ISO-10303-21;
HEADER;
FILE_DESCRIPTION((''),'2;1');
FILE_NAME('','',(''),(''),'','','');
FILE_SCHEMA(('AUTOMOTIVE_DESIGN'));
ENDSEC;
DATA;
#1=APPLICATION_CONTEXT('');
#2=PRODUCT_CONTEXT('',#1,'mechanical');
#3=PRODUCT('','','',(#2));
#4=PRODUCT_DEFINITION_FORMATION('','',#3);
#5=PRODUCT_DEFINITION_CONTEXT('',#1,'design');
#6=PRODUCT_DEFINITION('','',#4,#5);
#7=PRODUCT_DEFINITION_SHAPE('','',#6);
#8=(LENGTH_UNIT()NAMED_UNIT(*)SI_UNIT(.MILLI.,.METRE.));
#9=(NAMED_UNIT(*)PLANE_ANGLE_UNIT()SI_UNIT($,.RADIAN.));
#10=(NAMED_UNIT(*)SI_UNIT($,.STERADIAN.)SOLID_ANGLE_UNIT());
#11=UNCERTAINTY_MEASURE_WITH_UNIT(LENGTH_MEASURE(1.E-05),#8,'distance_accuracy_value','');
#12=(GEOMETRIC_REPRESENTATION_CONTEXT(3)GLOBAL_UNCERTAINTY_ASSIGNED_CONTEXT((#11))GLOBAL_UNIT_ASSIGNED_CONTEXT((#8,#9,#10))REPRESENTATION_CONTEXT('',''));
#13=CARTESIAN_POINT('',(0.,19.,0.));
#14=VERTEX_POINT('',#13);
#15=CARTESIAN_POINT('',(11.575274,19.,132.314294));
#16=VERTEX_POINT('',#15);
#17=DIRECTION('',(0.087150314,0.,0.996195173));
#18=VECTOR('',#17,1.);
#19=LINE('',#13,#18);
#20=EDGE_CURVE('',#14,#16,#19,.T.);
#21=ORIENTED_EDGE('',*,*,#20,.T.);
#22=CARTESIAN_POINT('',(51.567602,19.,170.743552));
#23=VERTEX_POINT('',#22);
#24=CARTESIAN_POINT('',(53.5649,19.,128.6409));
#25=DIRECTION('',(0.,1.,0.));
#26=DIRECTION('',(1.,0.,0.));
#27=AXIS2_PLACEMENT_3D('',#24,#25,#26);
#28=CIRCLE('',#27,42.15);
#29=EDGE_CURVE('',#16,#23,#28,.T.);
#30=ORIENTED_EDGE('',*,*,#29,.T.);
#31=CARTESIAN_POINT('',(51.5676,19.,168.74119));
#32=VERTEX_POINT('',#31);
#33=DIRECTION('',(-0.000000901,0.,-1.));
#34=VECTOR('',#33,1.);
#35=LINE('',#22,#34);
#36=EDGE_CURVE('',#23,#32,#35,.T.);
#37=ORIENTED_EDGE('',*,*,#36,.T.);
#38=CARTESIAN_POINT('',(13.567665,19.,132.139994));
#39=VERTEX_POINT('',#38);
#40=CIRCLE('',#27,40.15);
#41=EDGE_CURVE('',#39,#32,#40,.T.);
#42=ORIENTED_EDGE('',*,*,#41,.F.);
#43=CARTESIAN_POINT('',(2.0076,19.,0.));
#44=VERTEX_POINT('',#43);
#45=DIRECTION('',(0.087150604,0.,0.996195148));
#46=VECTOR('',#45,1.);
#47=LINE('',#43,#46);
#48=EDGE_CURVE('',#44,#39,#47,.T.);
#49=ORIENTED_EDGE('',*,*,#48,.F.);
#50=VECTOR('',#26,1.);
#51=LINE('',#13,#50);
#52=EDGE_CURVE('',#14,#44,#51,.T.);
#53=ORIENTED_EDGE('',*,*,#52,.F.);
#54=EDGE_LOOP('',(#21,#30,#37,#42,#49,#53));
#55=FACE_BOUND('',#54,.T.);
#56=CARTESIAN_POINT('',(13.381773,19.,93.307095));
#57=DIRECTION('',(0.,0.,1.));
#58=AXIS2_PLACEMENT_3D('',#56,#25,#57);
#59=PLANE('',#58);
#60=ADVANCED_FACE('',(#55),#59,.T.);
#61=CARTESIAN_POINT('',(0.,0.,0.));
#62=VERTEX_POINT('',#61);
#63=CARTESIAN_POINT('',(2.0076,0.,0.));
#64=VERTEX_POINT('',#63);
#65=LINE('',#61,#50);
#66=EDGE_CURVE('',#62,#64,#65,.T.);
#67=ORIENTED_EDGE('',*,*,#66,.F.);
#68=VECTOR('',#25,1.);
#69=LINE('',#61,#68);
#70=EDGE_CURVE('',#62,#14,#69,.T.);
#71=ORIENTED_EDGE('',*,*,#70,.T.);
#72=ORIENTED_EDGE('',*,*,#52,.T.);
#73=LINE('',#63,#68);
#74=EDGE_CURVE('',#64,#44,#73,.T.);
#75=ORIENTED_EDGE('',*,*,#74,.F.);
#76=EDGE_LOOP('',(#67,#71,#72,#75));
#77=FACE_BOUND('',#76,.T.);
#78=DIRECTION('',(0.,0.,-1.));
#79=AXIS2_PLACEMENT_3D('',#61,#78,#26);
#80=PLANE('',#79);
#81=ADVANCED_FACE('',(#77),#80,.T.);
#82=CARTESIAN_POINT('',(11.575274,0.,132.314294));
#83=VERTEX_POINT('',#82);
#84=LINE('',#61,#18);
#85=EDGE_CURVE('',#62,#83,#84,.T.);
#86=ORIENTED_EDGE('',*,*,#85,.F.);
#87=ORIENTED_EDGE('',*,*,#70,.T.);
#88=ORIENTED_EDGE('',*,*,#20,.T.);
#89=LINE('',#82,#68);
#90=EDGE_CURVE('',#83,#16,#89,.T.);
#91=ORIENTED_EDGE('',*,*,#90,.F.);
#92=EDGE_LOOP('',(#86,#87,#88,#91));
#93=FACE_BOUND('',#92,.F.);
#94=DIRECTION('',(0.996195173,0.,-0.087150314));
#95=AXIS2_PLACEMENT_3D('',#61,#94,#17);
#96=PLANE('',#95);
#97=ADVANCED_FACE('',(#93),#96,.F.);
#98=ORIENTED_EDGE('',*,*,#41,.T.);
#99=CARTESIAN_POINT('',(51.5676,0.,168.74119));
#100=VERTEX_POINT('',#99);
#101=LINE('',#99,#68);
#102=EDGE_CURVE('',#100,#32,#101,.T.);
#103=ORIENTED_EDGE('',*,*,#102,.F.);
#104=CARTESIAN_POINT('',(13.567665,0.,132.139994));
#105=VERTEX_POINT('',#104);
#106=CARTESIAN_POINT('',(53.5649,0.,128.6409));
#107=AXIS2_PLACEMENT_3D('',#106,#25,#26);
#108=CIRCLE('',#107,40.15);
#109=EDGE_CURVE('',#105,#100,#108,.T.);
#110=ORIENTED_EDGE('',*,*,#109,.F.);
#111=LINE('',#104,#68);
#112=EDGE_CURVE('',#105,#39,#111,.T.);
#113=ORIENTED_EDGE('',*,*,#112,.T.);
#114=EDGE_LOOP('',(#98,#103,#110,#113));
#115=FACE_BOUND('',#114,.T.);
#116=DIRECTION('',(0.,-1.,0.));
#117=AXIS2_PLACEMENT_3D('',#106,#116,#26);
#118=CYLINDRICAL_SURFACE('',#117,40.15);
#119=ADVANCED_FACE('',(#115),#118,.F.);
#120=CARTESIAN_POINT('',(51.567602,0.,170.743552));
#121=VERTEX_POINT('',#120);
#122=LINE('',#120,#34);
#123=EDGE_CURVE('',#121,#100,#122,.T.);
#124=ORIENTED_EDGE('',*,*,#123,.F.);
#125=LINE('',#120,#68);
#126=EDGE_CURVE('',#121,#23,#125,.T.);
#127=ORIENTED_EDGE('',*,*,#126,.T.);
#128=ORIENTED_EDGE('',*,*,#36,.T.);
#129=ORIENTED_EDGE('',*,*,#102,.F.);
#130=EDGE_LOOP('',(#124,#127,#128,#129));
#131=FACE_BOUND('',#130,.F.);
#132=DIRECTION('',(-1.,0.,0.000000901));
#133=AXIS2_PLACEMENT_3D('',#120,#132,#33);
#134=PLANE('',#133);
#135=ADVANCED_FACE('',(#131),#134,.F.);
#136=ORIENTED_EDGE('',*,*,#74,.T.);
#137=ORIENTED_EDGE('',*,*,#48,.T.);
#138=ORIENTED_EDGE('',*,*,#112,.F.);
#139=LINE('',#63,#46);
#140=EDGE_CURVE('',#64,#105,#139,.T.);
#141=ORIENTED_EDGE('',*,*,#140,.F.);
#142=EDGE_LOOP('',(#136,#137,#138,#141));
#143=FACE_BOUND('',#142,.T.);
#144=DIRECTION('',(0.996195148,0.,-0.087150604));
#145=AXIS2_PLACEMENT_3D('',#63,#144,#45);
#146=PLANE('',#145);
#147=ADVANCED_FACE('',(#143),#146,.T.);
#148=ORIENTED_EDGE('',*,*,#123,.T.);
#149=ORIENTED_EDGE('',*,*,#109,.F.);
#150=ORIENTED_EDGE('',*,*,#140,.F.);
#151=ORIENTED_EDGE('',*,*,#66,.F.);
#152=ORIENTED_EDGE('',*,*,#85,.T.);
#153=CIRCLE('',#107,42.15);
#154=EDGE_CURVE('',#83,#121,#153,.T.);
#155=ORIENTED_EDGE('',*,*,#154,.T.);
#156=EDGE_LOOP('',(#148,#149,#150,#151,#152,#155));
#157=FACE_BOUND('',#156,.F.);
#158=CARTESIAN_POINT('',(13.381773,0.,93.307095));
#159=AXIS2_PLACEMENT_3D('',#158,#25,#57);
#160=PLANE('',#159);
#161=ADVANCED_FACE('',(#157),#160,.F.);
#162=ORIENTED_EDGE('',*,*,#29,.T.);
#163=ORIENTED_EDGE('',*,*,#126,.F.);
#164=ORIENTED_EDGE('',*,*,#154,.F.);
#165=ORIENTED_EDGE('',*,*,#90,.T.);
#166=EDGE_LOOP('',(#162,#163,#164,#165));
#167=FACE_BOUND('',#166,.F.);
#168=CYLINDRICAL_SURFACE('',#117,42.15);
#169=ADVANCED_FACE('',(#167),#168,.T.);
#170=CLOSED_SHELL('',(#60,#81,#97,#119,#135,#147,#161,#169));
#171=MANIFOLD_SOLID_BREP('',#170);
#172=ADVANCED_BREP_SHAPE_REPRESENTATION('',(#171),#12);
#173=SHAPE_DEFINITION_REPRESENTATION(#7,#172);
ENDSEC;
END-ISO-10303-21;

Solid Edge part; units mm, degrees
sketch "Sketch1" plane through (0, 0, 0) normal (0, -1, 0) x (1, 0, 0)
  line L0 (0, 0) -> (11.5752, 132.3143)
  arc A0 (11.5752, 132.3143) -> (51.5676, 170.7436) centre (53.5649, 128.6409) cw
  line L1 (51.5676, 170.7436) -> (51.5676, 168.7412)
  arc A1 (13.5676, 132.14) -> (51.5676, 168.7412) centre (53.5649, 128.6409) cw
  line L2 (2.0076, 0) -> (13.5676, 132.14)
  line L3 (0, 0) -> (2.0076, 0)
  dimension "D1" = 40.15
  dimension "D2" = 2
  dimension "D3" = 132.14
  dimension "D4" = 11.56
  dimension "D5" = 49.56
extrude "Protrusion1" add sketch "Sketch1" against normal blind 19
properties material "Aluminum, 1060"
